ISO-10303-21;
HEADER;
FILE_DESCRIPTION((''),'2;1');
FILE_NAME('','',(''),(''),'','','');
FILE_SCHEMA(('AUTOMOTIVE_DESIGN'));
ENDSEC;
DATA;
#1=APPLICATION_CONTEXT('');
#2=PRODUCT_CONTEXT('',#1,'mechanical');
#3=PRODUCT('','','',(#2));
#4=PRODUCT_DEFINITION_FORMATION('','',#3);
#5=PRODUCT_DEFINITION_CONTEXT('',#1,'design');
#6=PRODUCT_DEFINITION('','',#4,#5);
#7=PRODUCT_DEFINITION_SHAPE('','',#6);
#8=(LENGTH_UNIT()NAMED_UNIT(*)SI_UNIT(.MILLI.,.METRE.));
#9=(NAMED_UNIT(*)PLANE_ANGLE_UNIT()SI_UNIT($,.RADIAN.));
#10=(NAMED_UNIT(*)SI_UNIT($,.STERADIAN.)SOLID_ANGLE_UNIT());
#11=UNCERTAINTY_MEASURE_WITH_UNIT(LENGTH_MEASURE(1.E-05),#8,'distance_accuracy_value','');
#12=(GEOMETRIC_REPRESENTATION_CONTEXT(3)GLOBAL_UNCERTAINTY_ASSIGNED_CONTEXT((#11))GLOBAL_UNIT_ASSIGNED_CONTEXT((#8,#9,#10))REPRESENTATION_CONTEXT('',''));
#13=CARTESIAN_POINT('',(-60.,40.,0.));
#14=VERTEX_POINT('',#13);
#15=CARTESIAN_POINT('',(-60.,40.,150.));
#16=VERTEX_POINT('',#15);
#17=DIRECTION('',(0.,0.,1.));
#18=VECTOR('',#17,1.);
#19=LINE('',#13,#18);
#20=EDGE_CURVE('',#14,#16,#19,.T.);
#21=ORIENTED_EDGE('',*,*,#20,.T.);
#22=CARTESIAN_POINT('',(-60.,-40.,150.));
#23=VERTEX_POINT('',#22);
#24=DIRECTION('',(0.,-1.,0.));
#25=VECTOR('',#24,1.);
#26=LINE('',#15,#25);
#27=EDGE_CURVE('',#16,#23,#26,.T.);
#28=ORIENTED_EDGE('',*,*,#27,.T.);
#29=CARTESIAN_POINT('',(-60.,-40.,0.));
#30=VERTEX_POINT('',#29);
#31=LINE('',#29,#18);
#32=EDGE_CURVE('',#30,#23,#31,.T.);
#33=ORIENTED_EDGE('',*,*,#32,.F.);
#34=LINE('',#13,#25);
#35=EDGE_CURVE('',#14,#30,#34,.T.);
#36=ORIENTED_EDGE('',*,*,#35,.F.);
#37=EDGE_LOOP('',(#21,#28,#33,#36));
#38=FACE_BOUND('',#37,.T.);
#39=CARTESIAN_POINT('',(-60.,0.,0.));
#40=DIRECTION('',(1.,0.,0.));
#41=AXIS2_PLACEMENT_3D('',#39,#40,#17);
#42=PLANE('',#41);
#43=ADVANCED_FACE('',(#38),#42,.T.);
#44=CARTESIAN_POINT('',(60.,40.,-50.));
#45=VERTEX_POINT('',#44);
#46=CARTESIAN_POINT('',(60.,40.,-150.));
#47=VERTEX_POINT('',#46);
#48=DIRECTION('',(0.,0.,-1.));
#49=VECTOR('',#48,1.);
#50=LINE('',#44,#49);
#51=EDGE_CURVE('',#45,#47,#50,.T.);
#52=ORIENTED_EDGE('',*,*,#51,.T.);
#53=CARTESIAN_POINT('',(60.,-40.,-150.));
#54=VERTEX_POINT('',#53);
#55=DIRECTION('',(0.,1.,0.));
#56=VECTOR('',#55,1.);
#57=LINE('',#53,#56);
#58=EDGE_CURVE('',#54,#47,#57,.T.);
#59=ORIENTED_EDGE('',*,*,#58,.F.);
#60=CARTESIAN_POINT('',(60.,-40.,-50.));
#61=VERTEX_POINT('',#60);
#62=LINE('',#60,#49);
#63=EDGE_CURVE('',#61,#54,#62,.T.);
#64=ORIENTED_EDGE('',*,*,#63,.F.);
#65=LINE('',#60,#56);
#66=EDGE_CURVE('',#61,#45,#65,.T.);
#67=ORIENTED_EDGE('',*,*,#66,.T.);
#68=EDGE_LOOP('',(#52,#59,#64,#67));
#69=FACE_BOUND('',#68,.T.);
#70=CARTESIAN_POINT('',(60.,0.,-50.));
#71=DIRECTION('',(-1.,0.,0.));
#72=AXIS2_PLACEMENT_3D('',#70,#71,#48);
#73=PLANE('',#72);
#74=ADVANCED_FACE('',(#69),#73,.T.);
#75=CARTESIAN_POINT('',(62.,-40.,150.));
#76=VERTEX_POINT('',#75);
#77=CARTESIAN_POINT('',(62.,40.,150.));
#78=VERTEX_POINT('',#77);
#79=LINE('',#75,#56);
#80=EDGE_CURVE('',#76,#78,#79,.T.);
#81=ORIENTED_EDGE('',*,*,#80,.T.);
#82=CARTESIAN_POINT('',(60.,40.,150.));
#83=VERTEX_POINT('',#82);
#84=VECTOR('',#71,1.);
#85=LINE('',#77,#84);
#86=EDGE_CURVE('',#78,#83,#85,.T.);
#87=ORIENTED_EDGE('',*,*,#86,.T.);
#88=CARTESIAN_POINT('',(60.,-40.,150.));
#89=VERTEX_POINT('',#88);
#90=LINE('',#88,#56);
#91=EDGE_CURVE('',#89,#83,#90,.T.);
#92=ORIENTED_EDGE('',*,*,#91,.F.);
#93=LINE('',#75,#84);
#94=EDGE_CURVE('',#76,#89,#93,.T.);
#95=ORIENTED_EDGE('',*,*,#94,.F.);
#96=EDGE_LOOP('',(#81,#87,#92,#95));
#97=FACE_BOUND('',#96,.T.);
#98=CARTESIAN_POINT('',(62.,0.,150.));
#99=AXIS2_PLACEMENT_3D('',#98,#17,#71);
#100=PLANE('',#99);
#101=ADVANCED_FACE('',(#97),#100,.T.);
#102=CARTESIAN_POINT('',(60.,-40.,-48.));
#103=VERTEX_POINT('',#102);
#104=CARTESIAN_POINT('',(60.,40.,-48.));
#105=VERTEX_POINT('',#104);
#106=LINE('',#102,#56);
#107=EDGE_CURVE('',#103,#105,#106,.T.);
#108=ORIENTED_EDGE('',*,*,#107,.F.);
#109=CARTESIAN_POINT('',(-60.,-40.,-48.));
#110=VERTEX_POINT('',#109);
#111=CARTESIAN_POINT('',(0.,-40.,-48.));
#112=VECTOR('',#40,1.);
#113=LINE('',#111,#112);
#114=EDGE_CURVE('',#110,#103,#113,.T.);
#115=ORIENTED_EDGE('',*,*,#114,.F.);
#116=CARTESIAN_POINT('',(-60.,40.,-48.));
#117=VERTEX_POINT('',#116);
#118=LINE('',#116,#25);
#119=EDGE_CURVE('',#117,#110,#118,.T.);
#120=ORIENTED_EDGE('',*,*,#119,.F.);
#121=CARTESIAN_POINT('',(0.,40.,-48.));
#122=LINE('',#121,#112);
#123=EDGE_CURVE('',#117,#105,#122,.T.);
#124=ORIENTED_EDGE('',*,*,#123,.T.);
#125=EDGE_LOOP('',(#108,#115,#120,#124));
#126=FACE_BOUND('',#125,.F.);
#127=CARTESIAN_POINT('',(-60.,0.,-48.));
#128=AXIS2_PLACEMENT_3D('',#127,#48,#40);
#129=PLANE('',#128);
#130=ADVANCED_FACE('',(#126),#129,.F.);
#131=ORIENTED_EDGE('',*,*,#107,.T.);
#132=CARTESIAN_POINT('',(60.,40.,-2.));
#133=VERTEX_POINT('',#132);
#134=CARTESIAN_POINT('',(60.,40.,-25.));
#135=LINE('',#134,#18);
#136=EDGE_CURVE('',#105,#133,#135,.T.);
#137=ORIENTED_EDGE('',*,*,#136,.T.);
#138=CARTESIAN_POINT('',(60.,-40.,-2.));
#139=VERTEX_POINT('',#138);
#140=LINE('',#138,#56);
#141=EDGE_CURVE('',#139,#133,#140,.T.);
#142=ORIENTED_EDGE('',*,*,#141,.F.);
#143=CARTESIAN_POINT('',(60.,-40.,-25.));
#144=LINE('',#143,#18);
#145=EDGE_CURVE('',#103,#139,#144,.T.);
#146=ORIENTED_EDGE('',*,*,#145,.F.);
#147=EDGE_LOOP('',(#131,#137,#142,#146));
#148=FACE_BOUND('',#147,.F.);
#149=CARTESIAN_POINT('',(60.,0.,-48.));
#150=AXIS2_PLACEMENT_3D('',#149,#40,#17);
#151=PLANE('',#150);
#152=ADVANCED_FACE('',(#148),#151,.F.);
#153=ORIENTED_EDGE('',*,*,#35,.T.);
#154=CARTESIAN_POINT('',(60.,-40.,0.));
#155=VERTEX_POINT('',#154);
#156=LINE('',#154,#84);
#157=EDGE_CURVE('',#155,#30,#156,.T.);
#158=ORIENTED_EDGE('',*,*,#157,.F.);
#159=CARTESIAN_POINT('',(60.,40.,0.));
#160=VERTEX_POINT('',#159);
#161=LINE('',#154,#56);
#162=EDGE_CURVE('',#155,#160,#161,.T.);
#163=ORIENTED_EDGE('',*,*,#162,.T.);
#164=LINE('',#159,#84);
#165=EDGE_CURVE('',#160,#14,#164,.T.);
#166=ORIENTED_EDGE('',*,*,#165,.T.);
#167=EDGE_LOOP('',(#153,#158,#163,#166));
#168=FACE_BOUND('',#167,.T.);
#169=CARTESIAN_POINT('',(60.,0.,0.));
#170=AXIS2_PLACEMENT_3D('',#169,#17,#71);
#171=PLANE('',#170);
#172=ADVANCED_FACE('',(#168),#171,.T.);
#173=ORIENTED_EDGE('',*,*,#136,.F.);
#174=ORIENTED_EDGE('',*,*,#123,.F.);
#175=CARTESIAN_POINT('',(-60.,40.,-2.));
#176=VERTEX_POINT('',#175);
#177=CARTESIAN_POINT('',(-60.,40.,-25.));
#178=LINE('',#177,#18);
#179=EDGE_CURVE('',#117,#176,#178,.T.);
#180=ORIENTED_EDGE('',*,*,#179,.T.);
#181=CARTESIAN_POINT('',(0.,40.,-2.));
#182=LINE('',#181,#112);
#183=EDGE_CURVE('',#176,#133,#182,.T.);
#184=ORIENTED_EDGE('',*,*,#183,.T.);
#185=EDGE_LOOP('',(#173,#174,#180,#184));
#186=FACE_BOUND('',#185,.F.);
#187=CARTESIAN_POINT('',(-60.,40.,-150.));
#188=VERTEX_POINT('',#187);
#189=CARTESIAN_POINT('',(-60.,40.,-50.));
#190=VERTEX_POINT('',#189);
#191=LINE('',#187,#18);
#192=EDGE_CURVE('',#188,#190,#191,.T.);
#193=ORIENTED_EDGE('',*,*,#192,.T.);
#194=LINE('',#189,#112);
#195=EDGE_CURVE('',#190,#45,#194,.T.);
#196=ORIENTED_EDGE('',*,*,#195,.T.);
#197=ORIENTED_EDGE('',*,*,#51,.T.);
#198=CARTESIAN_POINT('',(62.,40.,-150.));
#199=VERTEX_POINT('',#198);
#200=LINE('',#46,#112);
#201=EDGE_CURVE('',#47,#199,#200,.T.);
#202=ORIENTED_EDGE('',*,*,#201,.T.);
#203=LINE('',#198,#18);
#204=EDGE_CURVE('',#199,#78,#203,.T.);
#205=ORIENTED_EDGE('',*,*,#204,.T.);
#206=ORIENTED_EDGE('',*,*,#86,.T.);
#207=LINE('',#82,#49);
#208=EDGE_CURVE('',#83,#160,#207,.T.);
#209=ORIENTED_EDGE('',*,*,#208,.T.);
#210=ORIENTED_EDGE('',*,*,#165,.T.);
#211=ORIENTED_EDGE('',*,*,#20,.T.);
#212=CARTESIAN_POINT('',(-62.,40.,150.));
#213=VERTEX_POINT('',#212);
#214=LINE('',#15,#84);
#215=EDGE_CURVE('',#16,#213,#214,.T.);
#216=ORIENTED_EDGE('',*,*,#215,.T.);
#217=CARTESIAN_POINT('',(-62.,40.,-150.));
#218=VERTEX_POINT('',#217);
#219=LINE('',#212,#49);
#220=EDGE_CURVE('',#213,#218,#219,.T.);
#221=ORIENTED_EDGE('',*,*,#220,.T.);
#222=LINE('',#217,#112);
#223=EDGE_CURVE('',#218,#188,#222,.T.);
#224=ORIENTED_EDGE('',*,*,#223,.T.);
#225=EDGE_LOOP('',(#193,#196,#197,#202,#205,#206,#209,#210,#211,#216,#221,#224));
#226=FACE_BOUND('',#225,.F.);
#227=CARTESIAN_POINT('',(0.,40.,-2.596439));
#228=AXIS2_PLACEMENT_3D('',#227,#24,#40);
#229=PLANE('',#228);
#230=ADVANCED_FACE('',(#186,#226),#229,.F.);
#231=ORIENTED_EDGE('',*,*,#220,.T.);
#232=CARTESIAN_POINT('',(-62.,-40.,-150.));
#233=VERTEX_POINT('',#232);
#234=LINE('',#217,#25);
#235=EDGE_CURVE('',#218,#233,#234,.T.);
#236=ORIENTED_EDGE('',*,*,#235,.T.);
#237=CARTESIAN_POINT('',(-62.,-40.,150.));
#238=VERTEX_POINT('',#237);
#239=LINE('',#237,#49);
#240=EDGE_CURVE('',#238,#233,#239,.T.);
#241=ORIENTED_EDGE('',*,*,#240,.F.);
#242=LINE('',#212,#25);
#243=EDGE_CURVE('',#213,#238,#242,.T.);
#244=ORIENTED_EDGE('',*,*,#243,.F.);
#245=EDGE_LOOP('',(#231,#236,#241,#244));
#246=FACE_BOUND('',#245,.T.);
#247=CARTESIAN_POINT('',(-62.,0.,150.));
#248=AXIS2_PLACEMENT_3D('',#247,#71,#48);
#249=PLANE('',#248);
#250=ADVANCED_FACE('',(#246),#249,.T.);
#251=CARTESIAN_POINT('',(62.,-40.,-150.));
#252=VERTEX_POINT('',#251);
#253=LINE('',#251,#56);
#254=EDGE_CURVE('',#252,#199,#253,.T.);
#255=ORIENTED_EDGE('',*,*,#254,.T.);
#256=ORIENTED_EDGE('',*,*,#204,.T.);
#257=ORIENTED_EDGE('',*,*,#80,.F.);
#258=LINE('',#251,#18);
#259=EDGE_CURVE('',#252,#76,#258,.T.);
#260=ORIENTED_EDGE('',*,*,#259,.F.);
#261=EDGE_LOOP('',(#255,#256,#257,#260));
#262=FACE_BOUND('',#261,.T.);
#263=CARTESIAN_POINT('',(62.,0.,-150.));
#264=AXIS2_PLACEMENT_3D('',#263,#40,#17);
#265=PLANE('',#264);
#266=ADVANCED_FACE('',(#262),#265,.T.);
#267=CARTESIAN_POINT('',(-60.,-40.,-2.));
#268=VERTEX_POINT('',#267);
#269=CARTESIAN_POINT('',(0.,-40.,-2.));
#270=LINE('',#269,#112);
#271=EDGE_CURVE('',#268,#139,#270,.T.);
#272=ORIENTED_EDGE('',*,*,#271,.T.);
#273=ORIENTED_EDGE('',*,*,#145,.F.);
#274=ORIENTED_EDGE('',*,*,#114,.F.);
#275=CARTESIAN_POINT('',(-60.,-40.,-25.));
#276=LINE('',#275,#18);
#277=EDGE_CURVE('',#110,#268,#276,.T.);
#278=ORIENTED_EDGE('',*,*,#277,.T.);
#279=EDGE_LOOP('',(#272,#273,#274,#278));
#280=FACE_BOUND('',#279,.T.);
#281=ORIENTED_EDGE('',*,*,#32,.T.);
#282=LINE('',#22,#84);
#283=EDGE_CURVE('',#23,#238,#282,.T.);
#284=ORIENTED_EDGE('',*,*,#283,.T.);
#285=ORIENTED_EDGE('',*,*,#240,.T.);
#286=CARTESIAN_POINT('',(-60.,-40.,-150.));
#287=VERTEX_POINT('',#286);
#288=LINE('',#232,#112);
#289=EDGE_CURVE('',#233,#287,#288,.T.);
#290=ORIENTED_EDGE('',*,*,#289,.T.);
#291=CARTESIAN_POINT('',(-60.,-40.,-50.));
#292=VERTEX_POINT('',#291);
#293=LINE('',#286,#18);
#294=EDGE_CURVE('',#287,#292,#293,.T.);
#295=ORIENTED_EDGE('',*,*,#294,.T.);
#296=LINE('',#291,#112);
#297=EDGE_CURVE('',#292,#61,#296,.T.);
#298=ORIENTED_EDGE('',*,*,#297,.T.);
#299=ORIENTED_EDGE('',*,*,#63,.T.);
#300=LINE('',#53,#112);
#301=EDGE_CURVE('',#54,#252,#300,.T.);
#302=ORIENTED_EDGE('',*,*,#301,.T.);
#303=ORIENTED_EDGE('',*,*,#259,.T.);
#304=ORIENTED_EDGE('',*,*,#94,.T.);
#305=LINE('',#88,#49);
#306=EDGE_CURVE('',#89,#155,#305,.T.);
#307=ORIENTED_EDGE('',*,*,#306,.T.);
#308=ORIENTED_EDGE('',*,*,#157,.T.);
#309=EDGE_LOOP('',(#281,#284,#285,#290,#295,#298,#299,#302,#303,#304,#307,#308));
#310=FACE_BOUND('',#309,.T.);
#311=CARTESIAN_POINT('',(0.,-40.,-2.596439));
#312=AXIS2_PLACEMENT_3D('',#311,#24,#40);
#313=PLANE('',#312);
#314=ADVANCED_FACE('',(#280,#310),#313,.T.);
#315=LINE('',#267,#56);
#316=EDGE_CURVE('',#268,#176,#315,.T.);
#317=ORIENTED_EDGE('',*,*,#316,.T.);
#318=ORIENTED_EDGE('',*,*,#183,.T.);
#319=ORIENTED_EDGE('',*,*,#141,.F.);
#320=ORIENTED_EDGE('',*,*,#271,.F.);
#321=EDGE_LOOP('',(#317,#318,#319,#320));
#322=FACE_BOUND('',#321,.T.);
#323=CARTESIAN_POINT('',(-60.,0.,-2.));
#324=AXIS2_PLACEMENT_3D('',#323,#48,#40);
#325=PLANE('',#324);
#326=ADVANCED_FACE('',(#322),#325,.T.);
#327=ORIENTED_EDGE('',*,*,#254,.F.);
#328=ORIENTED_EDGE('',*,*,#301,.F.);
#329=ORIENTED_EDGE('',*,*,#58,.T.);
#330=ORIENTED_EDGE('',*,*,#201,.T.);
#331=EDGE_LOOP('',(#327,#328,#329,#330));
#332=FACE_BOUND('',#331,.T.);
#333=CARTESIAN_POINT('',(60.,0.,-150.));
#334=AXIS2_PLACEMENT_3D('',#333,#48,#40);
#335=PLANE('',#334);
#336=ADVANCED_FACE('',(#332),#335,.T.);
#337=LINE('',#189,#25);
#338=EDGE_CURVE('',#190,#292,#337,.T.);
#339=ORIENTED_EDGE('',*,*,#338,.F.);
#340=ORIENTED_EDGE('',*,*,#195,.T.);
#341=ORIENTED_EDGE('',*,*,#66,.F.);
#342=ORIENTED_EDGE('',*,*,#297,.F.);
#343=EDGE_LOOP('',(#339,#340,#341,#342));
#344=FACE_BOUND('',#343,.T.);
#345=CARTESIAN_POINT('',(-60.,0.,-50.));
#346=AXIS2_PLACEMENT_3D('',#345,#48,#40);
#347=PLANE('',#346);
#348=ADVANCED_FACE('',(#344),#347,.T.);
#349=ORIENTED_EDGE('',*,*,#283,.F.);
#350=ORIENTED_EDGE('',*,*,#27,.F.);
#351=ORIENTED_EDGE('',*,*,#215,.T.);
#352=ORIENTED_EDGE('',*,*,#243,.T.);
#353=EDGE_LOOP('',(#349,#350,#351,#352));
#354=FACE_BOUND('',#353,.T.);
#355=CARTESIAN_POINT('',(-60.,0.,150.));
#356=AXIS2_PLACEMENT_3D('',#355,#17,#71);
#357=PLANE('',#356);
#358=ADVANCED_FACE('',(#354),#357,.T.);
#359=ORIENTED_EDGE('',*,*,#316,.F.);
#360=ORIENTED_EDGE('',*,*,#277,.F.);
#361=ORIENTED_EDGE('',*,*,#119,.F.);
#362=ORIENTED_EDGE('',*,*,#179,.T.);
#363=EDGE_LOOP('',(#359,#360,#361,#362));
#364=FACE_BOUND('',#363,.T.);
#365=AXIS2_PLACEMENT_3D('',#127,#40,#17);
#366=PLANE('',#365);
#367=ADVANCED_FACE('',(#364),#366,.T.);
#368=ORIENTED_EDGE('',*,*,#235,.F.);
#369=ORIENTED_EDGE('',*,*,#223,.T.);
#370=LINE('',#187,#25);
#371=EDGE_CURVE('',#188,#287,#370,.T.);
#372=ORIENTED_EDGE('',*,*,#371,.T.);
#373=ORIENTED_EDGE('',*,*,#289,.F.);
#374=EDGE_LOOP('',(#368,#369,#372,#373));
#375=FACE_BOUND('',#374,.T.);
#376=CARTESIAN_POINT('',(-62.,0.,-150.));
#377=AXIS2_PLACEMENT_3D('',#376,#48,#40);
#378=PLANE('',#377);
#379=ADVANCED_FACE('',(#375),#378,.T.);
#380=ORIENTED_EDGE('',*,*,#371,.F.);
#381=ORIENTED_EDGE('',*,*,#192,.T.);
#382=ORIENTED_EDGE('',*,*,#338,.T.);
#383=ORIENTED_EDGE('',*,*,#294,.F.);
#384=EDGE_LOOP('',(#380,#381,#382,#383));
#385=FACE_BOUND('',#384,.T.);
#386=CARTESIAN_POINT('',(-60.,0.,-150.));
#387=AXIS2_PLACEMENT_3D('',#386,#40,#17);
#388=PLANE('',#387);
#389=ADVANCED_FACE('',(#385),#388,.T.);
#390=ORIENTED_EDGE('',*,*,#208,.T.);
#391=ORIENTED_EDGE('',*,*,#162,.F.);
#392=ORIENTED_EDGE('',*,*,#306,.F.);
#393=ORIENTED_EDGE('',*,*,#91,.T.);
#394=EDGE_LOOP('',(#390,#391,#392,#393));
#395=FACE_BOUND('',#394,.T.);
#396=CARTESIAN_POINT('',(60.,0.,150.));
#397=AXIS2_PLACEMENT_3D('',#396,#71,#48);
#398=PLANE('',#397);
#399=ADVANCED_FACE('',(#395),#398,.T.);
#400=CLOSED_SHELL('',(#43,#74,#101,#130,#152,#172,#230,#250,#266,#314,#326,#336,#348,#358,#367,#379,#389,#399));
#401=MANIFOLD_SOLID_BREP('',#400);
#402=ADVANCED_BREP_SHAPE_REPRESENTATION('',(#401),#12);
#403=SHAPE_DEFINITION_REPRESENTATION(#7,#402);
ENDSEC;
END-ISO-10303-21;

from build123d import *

# Parameters (mm, degrees)
F0_W     = 120
F0_H     = 46
F1_DEPTH = 40


with BuildPart() as f1:
    # F0 (on Front) → F1 (new body, symmetric)
    with BuildSketch(Plane.XZ):
        Polygon((60, 0), (-60, 0), (-60, 150), (-62, 150), (-62, -150), (-60, -150), (-60, -50), (60, -50), (60, -150), (62, -150), (62, 150), (60, 150), align=None)
        with Locations((0, -25)):
            Rectangle(F0_W, F0_H, mode=Mode.SUBTRACT)
    extrude(amount=F1_DEPTH, both=True)


solid = f1.part
